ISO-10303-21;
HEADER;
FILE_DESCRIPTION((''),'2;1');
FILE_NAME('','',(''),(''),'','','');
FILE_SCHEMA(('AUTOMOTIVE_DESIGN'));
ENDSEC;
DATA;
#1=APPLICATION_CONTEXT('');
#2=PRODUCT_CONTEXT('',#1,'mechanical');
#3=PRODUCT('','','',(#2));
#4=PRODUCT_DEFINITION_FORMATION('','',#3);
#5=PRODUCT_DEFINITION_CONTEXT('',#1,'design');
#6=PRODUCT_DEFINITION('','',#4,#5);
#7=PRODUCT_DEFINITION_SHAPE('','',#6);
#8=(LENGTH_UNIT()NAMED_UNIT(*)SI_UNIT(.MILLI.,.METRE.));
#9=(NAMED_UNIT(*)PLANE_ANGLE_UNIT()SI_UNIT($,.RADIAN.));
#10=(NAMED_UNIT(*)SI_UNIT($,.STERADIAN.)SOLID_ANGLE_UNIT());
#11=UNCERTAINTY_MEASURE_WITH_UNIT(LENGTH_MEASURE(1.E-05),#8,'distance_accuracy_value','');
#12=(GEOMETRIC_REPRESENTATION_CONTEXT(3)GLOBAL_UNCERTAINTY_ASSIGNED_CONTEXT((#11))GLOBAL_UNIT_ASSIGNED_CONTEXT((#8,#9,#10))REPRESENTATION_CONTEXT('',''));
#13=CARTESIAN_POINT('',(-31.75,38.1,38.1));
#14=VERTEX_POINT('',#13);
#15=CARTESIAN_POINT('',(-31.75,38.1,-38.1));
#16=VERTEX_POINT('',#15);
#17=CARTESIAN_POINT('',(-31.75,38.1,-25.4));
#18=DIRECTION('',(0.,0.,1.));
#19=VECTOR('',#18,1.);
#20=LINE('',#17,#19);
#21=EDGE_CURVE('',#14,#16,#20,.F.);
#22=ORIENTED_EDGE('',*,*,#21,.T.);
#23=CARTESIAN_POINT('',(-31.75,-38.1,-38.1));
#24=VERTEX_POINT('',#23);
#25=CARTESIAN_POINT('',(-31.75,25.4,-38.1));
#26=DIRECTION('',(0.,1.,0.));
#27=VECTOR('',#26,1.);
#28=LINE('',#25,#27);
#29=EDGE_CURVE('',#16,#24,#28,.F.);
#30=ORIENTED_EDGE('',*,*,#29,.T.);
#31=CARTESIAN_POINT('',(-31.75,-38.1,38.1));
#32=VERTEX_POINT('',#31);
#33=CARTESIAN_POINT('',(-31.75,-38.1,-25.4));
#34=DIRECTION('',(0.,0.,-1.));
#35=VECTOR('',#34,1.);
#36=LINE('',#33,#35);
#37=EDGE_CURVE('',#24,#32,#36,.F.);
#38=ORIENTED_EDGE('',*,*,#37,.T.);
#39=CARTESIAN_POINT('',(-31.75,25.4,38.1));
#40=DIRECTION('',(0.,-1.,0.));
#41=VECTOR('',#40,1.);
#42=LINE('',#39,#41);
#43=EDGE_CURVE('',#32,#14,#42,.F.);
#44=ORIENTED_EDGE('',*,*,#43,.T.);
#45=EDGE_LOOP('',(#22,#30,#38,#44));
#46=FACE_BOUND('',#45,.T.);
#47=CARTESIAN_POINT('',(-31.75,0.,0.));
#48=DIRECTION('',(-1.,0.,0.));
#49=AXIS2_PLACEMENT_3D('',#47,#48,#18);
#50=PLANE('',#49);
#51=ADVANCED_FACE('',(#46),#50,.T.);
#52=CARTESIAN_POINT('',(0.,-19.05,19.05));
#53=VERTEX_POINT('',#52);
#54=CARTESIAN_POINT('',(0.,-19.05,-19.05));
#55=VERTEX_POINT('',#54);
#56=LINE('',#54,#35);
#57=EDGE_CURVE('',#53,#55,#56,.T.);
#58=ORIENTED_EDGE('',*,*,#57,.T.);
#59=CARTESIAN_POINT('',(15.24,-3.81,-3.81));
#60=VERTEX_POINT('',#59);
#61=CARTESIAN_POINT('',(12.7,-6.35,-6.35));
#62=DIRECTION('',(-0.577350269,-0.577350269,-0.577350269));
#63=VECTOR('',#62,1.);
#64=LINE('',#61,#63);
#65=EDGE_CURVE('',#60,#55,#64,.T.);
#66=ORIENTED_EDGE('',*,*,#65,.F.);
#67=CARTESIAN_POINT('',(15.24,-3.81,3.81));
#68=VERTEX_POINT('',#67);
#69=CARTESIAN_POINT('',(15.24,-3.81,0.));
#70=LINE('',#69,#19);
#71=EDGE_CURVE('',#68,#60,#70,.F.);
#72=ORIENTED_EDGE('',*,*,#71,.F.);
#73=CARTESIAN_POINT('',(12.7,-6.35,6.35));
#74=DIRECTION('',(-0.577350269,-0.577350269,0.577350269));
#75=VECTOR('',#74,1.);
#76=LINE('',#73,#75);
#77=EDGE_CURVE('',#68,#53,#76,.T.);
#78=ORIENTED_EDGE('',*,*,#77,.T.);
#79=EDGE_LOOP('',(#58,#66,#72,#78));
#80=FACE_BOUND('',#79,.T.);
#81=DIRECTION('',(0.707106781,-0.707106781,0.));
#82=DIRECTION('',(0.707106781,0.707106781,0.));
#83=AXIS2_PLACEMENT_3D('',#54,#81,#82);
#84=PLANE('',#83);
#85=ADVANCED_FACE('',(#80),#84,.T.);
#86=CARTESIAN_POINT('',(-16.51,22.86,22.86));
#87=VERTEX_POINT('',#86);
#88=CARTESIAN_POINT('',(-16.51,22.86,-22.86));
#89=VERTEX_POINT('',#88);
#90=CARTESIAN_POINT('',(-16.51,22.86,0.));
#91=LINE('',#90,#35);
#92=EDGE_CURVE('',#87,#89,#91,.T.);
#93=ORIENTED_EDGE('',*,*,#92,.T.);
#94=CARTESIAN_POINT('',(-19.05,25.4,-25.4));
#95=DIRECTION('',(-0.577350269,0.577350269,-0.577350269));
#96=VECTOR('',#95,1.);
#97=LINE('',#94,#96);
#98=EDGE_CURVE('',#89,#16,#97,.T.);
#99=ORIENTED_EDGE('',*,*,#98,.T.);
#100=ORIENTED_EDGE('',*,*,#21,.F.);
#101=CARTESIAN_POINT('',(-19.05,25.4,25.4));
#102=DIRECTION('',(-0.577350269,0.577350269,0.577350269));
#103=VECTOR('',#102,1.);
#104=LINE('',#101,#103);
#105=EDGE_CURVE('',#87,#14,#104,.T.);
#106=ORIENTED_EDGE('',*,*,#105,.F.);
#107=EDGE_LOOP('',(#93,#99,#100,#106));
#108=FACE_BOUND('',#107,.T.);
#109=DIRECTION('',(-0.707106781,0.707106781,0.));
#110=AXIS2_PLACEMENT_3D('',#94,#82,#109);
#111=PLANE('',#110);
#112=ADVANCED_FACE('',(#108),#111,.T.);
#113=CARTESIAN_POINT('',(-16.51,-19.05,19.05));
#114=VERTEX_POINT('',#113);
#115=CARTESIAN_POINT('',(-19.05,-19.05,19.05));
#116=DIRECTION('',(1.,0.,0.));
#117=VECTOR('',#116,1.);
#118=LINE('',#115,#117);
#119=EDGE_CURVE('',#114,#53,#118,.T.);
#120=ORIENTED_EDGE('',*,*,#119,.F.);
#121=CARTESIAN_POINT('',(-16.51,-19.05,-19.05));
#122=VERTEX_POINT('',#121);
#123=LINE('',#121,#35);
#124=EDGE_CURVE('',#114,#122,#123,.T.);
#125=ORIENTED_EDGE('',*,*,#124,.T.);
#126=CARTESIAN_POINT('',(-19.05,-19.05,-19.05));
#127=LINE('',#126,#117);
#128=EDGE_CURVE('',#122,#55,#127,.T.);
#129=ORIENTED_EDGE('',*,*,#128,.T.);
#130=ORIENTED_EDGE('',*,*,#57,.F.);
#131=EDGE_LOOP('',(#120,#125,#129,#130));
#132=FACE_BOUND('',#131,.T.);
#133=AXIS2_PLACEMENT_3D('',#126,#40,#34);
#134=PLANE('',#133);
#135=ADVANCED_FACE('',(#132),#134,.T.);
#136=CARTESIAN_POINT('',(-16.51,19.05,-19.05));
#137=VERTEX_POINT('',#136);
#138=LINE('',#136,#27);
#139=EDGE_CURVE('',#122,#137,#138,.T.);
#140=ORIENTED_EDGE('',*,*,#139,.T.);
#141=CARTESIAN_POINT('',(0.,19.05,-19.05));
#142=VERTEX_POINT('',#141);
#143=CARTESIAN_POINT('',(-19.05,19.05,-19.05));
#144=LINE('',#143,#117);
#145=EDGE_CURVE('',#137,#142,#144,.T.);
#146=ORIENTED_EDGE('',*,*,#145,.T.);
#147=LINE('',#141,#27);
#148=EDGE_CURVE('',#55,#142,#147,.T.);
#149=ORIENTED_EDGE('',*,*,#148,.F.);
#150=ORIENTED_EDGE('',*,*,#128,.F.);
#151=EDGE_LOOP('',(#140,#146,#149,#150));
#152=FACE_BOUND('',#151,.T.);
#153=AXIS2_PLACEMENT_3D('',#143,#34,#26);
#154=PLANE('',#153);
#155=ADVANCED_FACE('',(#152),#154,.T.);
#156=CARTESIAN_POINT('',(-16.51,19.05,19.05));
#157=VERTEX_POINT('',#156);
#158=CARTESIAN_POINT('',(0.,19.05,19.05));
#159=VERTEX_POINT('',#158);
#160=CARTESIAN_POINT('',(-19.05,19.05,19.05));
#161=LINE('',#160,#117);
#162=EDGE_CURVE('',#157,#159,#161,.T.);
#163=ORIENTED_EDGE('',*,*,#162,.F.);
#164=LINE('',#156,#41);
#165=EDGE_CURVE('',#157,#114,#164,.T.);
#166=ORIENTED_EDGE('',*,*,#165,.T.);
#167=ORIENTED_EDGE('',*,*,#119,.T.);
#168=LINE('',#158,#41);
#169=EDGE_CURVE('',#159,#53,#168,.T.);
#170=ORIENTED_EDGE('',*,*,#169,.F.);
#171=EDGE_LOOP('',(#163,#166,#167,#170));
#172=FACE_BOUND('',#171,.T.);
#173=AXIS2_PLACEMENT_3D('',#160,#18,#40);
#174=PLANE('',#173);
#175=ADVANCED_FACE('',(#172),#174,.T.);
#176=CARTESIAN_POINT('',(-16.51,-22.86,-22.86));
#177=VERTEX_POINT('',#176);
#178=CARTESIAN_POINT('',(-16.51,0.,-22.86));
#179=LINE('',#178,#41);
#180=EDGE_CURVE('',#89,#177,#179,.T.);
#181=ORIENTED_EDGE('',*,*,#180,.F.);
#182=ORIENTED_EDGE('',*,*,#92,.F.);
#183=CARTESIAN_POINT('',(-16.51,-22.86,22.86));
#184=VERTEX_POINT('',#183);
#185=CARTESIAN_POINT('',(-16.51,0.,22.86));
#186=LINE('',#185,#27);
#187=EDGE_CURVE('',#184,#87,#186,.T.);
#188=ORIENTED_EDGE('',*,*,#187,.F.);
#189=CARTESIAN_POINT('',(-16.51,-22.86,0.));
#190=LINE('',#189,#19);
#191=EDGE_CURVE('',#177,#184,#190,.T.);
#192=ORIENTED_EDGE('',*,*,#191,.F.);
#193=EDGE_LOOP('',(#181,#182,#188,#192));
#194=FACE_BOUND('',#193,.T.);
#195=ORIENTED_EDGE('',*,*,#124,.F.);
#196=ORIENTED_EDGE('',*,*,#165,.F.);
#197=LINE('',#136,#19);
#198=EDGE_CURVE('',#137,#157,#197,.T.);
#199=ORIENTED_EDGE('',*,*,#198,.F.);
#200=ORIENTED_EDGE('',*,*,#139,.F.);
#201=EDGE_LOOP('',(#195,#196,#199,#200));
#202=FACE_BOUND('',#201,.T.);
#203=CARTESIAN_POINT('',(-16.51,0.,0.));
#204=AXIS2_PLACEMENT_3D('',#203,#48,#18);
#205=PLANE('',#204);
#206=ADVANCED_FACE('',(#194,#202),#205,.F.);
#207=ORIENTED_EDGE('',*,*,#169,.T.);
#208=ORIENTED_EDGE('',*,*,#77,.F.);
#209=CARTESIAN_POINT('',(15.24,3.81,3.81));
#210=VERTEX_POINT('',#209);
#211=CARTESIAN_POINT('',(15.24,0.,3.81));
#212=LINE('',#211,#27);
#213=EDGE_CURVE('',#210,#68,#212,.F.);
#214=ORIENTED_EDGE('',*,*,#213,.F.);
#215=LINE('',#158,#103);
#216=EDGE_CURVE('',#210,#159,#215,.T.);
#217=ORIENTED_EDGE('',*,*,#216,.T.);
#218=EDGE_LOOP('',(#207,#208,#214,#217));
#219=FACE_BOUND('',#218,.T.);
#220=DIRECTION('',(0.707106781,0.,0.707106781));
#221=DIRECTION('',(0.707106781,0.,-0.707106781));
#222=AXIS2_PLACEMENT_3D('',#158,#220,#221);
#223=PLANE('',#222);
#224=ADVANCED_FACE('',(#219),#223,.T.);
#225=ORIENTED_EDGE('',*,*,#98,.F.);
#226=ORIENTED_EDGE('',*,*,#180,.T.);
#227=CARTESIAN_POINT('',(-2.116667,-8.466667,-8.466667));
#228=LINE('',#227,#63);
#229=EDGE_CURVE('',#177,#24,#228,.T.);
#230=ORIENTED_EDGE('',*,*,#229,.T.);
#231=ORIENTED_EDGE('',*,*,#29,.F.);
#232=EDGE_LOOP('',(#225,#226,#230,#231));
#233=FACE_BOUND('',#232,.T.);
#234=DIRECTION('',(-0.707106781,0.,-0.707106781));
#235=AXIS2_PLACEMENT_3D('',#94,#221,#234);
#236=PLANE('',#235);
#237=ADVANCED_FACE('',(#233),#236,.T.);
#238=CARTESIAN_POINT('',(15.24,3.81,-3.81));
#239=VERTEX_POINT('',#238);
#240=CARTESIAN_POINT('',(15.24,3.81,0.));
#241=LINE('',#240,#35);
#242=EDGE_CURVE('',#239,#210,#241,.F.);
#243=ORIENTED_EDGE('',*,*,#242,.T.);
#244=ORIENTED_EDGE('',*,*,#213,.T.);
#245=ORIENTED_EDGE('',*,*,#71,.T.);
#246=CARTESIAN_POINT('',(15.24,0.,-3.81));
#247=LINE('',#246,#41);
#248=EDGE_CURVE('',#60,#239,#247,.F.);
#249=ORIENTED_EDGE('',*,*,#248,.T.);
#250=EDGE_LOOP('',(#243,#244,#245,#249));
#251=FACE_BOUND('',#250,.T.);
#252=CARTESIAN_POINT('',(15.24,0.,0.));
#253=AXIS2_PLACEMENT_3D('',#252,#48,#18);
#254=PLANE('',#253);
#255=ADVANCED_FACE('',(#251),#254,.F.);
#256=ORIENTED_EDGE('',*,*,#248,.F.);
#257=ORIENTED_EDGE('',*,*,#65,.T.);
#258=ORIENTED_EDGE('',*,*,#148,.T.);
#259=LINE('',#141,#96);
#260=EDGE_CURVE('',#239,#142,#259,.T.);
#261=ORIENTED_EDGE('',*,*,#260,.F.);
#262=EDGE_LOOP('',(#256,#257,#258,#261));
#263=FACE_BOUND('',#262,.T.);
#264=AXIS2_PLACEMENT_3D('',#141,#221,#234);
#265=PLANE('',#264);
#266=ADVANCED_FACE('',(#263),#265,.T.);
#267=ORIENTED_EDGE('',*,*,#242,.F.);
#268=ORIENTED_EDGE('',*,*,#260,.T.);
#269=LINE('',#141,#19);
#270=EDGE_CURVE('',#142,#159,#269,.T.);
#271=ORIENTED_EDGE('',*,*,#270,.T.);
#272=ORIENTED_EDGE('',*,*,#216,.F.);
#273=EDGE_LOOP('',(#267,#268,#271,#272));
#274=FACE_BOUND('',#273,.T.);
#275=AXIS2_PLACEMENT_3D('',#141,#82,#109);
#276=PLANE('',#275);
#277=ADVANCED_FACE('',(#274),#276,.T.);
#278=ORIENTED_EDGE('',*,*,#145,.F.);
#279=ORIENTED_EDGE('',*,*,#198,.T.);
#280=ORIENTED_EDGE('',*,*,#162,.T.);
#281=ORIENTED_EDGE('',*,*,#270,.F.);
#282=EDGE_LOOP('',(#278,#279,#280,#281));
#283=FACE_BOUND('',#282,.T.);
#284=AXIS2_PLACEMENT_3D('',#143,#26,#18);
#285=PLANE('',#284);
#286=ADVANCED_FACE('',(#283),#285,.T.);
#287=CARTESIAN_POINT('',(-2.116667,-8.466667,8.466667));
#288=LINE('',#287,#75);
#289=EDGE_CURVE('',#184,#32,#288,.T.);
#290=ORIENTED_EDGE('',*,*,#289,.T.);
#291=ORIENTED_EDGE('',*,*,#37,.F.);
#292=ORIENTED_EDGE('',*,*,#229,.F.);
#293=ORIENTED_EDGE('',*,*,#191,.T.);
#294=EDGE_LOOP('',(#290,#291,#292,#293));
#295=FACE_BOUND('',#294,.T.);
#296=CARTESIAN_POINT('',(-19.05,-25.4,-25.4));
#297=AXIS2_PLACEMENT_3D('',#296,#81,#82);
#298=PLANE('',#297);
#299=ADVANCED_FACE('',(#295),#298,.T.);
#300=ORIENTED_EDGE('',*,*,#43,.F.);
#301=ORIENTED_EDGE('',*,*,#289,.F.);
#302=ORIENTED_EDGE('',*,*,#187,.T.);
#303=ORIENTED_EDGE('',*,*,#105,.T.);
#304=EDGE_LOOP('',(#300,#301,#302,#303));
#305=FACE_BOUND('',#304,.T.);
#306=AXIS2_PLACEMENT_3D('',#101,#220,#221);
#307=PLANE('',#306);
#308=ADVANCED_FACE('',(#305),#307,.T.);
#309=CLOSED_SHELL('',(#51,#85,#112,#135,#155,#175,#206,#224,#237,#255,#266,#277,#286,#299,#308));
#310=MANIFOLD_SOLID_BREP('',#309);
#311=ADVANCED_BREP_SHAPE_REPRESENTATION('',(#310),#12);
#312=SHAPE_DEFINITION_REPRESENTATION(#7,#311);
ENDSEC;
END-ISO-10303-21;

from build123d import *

# Parameters (mm, degrees)
SKETCH4_W                     = 38.1
SKETCH4_H                     = 38.1
BOSS_EXTRUDE2_DEPTH           = 15.24
BOSS_EXTRUDE2_TAPER           = 45
BOSS_EXTRUDE2_OTHER_WAY_DEPTH = 19.05
SKETCH10_W                    = 50.8
SKETCH10_H                    = 50.8
BOSS_EXTRUDE3_DEPTH           = 12.7
BOSS_EXTRUDE3_TAPER           = -45
BOSS_EXTRUDE3_OTHER_WAY_DEPTH = 2.54
BOSS_EXTRUDE3_OTHER_WAY_TAPER = 45


with BuildPart() as part:
    # Sketch4 → Boss-Extrude2 (new body)
    with BuildSketch(Plane(origin=(0, 0, 0), x_dir=(0, 0, -1), z_dir=(1, 0, 0))):
        Rectangle(SKETCH4_W, SKETCH4_H)
    extrude(amount=BOSS_EXTRUDE2_DEPTH, taper=BOSS_EXTRUDE2_TAPER)

    # Sketch4 → Boss-Extrude2 other way (add)
    with BuildSketch(Plane(origin=(0, 0, 0), x_dir=(0, 0, -1), z_dir=(1, 0, 0))):
        Rectangle(SKETCH4_W, SKETCH4_H)
    extrude(amount=-BOSS_EXTRUDE2_OTHER_WAY_DEPTH)

    # Sketch10 → Boss-Extrude3 (add)
    with BuildSketch(Plane.ZY.offset(19.05)):
        Rectangle(SKETCH10_W, SKETCH10_H)
    extrude(amount=BOSS_EXTRUDE3_DEPTH, taper=BOSS_EXTRUDE3_TAPER)

    # Sketch10 → Boss-Extrude3 other way (add)
    with BuildSketch(Plane.ZY.offset(19.05)):
        Rectangle(SKETCH10_W, SKETCH10_H)
    extrude(amount=-BOSS_EXTRUDE3_OTHER_WAY_DEPTH, taper=BOSS_EXTRUDE3_OTHER_WAY_TAPER)


solid = part.part
